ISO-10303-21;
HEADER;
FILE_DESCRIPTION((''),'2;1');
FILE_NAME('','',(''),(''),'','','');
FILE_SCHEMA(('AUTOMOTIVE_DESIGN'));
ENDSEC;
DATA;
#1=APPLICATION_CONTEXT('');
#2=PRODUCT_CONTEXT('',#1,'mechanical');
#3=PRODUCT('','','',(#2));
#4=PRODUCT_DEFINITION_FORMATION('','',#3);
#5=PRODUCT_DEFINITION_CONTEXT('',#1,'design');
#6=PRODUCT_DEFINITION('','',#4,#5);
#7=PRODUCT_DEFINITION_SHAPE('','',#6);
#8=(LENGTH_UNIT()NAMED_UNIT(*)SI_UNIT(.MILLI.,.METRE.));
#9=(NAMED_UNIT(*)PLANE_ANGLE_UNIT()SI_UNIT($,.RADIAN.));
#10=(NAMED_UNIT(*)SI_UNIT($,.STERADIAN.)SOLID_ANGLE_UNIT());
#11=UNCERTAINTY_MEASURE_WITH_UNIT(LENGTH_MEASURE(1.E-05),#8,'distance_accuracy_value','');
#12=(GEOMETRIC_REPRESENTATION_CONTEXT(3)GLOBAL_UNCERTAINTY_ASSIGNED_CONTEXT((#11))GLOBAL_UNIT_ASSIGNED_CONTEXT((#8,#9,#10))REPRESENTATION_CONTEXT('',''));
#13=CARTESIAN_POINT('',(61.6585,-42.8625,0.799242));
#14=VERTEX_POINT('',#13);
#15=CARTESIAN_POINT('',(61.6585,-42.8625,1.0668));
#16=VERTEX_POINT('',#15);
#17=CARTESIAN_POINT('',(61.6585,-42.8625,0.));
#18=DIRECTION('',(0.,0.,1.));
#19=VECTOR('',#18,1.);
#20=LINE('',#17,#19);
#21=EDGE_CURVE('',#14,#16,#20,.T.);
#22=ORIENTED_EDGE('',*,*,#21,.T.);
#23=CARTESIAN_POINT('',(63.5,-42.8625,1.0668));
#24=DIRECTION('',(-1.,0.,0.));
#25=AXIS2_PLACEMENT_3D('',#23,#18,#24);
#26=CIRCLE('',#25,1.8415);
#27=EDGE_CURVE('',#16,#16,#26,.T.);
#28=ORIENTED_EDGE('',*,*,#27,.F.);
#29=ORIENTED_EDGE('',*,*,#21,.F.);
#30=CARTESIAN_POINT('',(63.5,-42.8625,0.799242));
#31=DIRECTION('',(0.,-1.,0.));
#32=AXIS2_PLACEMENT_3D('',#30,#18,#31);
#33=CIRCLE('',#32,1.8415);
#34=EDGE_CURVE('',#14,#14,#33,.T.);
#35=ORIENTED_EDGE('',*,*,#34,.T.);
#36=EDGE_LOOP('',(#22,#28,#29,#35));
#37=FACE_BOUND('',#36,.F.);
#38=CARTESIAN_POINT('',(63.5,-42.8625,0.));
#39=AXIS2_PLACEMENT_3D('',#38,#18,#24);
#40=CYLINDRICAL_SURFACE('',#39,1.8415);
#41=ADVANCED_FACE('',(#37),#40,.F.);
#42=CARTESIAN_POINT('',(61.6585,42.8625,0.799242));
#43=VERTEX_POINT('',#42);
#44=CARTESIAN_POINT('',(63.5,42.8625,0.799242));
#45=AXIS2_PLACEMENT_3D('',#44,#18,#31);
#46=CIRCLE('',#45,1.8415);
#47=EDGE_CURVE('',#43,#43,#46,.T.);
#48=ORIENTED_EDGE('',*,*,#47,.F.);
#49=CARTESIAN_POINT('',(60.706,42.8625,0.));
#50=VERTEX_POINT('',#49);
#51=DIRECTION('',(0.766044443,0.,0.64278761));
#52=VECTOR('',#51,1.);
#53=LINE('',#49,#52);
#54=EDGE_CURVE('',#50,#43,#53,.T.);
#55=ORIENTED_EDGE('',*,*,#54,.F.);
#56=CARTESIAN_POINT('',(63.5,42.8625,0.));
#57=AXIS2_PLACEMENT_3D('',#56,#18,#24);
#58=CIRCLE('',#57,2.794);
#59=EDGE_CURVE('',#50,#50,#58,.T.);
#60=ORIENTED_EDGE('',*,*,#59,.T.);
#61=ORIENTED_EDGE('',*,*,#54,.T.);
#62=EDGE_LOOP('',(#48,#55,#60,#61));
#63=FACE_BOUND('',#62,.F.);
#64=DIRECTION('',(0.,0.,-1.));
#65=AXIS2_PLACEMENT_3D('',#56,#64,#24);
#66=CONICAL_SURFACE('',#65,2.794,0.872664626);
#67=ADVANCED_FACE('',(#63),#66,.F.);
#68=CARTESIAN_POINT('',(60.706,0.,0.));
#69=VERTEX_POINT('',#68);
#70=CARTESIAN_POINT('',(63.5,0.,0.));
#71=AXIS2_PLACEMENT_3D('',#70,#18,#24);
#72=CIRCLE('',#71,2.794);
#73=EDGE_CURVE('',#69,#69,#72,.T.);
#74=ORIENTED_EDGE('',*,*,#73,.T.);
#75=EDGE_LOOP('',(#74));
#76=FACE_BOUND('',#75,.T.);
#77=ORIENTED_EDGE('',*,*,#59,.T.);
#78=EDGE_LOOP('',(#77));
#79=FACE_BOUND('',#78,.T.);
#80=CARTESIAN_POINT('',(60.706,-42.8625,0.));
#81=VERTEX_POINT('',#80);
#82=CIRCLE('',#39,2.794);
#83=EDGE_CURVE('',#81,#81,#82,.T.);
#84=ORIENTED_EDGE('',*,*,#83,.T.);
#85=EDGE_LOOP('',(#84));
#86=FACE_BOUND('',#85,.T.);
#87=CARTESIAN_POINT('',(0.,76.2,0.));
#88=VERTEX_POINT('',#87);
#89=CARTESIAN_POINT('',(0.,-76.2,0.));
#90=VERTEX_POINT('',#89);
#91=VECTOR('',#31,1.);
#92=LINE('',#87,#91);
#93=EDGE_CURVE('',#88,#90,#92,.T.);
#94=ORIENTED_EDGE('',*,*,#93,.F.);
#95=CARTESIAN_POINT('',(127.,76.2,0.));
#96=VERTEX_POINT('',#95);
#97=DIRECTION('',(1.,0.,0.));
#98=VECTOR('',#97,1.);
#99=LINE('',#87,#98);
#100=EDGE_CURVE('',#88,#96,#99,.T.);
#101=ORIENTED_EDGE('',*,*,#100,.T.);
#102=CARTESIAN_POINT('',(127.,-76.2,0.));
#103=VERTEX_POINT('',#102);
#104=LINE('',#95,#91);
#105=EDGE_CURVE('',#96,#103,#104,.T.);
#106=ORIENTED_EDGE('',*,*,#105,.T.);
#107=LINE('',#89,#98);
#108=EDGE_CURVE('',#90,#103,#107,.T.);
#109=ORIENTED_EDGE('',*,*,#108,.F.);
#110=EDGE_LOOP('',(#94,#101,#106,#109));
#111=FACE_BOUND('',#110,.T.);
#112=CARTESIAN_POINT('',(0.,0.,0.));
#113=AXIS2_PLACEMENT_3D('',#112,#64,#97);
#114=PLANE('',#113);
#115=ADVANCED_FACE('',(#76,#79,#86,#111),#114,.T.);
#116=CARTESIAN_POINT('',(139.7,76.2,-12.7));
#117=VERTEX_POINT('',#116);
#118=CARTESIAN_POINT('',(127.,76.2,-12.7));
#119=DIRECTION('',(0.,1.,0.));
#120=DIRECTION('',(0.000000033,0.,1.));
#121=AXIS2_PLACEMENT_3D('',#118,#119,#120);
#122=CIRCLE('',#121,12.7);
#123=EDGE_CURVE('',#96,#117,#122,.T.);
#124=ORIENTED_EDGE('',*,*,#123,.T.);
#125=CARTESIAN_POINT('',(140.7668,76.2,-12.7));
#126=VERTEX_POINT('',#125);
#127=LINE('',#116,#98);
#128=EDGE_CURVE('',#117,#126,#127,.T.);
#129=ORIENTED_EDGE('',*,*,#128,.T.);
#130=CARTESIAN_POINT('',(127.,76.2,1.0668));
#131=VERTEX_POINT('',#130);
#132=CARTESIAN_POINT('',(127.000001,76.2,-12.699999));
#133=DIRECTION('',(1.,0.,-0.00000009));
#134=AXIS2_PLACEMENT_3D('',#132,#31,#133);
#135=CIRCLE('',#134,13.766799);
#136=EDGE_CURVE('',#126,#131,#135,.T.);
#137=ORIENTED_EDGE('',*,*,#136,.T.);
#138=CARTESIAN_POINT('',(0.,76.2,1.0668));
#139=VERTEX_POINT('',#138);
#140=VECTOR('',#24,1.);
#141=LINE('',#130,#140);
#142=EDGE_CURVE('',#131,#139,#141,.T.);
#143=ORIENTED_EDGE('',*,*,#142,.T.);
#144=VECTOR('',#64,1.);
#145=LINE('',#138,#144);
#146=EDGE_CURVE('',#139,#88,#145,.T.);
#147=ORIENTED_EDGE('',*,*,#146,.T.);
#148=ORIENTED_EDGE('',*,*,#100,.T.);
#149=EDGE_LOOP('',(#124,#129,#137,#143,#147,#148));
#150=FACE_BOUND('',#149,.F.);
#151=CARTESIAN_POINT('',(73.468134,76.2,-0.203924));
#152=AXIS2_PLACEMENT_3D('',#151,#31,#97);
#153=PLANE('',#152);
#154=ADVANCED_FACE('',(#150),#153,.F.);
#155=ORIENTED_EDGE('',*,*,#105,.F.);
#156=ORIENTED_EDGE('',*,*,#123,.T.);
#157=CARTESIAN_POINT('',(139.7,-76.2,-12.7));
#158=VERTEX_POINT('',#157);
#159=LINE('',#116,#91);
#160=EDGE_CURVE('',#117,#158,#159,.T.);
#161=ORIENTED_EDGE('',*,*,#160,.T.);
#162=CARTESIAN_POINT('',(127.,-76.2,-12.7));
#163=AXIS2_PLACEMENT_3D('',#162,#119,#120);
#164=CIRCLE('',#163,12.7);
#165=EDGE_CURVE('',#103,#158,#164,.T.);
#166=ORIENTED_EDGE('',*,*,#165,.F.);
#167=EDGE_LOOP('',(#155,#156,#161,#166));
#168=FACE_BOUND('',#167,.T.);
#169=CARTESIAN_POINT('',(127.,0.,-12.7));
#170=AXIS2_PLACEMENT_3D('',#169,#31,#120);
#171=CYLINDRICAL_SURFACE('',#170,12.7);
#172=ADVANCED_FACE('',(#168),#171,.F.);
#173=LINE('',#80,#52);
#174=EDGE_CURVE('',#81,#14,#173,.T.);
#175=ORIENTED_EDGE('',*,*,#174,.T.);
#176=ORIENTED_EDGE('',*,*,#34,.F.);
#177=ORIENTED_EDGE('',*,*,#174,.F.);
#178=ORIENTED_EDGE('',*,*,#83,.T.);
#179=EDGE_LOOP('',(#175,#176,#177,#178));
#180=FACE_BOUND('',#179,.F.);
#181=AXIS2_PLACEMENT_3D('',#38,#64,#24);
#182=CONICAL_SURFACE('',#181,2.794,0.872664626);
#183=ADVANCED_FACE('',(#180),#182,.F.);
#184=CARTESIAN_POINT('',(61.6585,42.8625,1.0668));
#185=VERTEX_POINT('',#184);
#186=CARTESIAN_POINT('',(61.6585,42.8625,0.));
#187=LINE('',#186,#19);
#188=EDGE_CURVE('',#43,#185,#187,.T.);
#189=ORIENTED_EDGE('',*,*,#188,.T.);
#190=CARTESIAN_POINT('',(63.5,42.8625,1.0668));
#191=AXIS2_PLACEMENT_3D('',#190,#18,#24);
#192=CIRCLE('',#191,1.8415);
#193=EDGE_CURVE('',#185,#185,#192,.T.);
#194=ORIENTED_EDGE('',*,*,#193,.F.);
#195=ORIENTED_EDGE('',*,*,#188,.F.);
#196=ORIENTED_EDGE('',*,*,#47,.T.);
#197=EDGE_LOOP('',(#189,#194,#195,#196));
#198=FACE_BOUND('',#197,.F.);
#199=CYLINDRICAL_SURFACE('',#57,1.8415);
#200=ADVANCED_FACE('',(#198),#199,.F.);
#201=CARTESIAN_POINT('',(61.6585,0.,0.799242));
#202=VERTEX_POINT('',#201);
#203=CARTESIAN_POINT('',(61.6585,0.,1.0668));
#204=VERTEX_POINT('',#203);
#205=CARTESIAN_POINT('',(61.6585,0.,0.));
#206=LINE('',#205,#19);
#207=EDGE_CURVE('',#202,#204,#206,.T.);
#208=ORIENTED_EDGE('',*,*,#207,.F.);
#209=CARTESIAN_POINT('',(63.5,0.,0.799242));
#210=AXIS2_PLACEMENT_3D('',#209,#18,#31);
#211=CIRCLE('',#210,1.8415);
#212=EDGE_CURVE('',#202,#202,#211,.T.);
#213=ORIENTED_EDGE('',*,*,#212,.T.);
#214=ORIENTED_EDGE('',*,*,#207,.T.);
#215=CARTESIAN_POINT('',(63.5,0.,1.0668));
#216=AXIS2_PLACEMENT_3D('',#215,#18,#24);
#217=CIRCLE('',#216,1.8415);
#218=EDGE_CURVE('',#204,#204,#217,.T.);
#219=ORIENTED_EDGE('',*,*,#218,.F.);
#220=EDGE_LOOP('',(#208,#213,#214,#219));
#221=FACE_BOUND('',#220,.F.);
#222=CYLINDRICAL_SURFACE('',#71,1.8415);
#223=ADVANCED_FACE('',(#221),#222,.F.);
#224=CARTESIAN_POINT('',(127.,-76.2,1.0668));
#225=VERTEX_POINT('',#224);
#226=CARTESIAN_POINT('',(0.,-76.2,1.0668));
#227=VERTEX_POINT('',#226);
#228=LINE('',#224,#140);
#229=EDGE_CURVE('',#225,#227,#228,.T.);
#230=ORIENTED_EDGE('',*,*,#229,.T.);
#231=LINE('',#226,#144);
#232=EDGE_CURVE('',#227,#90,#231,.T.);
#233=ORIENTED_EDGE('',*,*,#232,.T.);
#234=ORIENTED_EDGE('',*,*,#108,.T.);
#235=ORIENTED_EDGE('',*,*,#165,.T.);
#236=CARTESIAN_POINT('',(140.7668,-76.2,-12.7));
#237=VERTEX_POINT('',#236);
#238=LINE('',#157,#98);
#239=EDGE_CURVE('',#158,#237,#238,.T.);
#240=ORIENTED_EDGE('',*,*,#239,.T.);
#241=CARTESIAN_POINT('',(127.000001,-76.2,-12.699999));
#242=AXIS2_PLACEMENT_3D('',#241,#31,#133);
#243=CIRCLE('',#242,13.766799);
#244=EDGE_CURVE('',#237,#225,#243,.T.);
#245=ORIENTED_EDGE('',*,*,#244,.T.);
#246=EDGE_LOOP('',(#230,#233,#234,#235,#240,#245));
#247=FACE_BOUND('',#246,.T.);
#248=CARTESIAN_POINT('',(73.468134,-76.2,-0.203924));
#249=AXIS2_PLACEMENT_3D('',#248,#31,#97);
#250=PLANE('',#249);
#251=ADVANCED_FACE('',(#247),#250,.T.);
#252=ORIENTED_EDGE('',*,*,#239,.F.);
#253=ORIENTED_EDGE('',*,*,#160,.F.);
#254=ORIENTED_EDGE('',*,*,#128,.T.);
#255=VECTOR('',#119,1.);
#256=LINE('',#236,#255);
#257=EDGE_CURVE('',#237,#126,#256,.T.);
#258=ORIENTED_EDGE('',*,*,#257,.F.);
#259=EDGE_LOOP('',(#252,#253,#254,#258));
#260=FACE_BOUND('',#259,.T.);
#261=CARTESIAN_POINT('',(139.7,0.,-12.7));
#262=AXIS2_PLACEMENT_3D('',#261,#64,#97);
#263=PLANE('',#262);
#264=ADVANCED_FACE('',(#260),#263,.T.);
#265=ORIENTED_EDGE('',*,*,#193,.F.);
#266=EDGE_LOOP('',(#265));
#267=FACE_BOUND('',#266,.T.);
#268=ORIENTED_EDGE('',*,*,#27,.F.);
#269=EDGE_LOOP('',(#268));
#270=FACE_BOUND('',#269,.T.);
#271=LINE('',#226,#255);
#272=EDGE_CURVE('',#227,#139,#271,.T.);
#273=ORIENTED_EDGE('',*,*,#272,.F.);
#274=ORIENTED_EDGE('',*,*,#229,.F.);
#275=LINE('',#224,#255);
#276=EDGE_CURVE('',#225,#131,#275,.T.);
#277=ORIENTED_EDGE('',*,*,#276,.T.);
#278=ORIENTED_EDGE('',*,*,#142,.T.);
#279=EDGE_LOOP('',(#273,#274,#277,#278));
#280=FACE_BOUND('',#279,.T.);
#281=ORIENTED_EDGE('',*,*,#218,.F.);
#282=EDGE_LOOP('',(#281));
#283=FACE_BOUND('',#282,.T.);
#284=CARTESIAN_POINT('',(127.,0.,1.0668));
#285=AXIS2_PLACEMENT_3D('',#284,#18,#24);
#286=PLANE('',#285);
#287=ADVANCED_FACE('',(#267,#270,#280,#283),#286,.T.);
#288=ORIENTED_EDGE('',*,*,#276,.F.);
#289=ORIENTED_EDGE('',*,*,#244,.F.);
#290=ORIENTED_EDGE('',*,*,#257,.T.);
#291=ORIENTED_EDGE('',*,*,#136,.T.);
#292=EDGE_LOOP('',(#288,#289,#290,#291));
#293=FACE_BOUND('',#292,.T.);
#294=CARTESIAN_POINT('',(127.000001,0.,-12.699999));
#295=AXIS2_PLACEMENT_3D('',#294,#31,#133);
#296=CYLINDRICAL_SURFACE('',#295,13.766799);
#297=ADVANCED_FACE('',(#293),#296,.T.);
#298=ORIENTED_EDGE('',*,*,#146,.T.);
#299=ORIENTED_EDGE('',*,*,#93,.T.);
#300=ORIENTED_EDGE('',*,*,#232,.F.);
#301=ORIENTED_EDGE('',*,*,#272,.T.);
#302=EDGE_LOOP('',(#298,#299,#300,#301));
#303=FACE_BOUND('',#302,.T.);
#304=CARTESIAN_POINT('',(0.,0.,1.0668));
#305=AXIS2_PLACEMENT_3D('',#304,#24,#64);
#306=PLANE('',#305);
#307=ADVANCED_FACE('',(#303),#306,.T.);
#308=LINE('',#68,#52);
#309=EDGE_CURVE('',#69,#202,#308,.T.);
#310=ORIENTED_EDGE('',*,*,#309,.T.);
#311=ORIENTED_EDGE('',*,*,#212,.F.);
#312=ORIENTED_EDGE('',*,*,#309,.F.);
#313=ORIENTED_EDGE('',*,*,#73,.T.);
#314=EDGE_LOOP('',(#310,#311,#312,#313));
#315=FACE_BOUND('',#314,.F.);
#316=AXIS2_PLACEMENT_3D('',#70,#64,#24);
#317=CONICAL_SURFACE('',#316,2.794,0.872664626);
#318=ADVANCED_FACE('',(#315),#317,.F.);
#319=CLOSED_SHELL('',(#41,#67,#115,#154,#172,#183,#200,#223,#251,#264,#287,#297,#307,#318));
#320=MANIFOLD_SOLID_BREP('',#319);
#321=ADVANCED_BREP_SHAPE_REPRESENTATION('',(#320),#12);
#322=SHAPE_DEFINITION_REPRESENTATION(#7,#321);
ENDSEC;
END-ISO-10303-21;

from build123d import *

# Parameters (mm, degrees)
F1_DEPTH       = 76.2
F1_DEPTH_BACK  = 76.2
F3_D           = 3.683
F3_CSINK_D     = 5.588
F3_CSINK_ANGLE = 100


with BuildPart() as f1:
    # F0 (on Front) → F1 (new body, two sides)
    with BuildSketch(Plane.XZ) as f1_sk:
        with BuildLine():
            Line((0, 1.0668), (0, 0))
            Line((0, 0), (127, 0))
            ThreePointArc((127, 0), (135.980256, -3.719744), (139.7, -12.7))
            Line((139.7, -12.7), (140.7668, -12.7))
            ThreePointArc((140.7668, -12.7), (136.734598, -2.965402), (127, 1.0668))
            Line((127, 1.0668), (0, 1.0668))
        make_face()
    extrude(amount=F1_DEPTH)
    extrude(f1_sk.sketch, amount=-F1_DEPTH_BACK)

    # F3 (through all)
    with Locations(Plane(origin=(0, 0, 0), x_dir=(1, 0, 0), z_dir=(0, 0, -1))):
        with Locations((63.5, 42.8625), (63.5, 0), (63.5, -42.8625)):
            CounterSinkHole(F3_D / 2, F3_CSINK_D / 2, counter_sink_angle=F3_CSINK_ANGLE)


solid = f1.part
